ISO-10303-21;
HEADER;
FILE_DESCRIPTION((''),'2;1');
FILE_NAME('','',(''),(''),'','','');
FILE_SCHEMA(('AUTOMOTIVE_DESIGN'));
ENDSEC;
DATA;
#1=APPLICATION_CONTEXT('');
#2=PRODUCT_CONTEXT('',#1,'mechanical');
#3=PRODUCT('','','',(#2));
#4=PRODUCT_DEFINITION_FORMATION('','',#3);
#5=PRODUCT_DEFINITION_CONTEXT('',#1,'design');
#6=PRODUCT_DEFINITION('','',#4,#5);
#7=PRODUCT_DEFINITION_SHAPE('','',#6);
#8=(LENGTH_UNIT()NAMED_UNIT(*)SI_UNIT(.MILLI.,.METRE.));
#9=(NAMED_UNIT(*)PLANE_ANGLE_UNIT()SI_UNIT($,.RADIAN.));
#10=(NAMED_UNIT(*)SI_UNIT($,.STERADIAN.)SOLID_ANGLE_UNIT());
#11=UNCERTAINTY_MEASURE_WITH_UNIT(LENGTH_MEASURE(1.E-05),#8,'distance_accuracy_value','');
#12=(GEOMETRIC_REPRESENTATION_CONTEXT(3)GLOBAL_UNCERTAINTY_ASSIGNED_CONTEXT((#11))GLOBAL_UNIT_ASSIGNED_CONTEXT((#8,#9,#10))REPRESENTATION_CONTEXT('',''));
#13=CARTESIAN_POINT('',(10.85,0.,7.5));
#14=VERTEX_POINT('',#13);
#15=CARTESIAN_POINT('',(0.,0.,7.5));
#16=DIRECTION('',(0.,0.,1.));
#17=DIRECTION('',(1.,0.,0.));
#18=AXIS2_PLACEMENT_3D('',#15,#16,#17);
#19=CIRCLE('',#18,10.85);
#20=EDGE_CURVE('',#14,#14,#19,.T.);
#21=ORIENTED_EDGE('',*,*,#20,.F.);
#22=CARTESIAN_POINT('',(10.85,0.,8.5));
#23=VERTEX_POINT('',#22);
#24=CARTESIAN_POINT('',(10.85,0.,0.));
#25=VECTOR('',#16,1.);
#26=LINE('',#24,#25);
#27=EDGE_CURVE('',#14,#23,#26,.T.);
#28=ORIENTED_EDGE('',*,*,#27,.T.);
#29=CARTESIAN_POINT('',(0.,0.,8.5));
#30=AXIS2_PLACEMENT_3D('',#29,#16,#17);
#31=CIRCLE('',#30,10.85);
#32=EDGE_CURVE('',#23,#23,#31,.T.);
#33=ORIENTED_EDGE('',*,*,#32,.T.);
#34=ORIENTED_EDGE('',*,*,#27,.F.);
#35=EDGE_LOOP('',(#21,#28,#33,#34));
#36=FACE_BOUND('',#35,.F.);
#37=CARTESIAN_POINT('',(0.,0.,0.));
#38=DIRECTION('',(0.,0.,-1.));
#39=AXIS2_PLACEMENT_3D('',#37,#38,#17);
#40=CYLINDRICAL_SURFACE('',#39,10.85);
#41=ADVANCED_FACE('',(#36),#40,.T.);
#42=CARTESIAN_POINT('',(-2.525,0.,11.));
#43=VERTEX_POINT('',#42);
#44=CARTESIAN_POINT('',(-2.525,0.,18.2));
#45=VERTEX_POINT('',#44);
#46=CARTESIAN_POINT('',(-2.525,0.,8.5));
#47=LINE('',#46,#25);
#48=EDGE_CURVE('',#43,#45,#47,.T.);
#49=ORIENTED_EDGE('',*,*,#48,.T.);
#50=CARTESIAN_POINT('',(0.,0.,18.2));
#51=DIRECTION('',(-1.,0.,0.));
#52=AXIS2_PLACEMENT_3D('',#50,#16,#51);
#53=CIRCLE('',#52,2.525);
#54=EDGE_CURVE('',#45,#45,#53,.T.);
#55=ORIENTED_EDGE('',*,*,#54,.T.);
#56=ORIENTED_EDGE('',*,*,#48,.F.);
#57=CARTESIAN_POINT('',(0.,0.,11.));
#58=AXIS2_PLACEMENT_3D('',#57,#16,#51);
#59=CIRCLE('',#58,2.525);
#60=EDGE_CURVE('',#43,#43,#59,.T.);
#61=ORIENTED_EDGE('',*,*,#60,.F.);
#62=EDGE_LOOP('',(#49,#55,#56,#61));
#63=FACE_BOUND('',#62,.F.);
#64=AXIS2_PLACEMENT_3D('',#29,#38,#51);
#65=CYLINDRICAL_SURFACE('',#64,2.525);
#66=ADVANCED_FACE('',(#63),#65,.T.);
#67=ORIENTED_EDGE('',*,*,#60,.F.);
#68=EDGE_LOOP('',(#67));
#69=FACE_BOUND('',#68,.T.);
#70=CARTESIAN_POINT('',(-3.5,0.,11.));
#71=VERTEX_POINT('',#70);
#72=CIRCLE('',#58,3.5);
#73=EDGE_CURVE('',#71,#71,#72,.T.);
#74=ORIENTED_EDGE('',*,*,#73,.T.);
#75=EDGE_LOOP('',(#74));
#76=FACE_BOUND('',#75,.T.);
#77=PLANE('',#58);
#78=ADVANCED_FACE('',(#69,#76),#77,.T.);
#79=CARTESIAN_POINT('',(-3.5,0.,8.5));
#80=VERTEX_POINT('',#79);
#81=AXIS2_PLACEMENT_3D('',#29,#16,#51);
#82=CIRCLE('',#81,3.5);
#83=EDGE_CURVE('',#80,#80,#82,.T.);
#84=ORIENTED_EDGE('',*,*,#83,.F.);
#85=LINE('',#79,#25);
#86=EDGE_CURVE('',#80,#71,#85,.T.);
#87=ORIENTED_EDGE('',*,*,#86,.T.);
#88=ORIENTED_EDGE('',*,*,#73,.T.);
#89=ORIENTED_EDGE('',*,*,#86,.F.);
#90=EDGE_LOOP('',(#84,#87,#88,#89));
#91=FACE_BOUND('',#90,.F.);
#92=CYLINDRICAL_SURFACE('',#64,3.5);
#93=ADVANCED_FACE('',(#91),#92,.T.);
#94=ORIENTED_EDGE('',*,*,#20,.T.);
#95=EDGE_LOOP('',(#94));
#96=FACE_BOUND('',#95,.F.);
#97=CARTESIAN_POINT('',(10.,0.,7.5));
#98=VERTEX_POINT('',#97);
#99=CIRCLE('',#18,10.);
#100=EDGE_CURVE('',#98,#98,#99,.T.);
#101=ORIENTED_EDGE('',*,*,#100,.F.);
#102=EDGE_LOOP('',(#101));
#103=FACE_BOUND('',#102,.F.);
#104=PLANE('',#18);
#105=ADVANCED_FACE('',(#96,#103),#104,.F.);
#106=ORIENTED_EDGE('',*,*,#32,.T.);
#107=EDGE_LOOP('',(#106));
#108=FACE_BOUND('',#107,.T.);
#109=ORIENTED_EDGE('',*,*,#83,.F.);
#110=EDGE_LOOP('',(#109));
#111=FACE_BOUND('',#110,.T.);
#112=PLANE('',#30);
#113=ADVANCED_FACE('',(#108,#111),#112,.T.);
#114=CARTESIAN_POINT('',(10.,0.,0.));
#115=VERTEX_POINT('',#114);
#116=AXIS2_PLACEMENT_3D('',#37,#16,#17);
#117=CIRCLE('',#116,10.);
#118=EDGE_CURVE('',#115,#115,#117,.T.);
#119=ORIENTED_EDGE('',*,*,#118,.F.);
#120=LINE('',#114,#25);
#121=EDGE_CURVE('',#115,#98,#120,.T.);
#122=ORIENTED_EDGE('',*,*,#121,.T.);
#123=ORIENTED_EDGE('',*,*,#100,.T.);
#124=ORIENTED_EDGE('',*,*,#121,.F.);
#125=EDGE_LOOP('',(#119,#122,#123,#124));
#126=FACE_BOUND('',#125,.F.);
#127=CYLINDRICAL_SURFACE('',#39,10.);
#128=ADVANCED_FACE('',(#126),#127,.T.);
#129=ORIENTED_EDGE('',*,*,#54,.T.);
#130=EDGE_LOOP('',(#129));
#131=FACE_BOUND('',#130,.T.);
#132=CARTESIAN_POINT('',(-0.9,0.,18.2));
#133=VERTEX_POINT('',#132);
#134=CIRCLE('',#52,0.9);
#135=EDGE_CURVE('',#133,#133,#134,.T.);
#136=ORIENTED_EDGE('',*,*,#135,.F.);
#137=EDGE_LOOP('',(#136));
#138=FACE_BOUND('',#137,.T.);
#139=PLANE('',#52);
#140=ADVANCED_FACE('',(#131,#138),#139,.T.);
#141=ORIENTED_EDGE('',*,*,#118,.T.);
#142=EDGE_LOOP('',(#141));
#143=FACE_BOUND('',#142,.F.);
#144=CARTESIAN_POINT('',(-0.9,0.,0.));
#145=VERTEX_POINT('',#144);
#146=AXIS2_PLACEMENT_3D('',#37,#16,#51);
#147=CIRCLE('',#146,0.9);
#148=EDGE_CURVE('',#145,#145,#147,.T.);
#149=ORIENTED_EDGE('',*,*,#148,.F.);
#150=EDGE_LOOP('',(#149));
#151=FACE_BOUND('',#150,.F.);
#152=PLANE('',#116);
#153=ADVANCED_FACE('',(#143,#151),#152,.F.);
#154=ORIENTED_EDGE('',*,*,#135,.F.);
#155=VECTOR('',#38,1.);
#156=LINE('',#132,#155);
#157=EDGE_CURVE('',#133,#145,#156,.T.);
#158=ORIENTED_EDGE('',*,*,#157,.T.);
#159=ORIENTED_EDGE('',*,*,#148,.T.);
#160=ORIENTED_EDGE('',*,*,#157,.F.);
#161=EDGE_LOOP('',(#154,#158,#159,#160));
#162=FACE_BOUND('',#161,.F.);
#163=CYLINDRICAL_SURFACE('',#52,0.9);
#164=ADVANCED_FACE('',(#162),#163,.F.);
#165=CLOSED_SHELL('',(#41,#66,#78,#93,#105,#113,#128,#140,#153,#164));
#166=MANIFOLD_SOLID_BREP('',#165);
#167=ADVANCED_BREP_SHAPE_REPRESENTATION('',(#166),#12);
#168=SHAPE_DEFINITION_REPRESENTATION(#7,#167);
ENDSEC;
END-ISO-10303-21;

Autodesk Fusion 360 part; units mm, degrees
sketch "Skizze1" plane through (0, 0, 0) normal (0, 0, 1) x (1, 0, 0)
  circle A0 centre (0, 0) radius 10
  circle A1 centre (0, 0) radius 9.25
  circle A2 centre (0, 0) radius 3.95
  circle A3 centre (0, 0) radius 10.85
  dimension "d1" = 20
  dimension "d2" = -0.75
  dimension "d3" = 7.9
  dimension "d4" = 1.6
extrude "Extrusion1" add sketch "Skizze1" along normal blind 8.5 contours A0 | A1 | A2
sketch "Skizze4" plane through (0, 0, 8.5) normal (0, 0, 1) x (-1, 0, 0)
  circle A0 centre (0, 0) radius 10
  circle A1 centre (0, 0) radius 2.525
  circle A2 centre (0, 0) radius 3.5
  dimension "d20" = 5.05
  dimension "d21" = 7
extrude "Extrusion5" add sketch "Skizze1" along normal blind 8.5 contours A3
extrude "Extrusion6" cut sketch "Skizze1" along normal blind 7.5 contours A3
extrude "Extrusion8" add sketch "Skizze4" along normal blind 9.7 contours A1
extrude "Extrusion9" add sketch "Skizze4" along normal blind 2.5 contours A2
sketch "Skizze5" plane through (0, 0, 18.2) normal (0, 0, 1) x (-1, 0, 0)
  circle A0 centre (0, 0) radius 2.525
  circle A1 centre (0, 0) radius 0.9
  dimension "d27" = 1.8
extrude "Extrusion10" cut sketch "Skizze5" against normal blind 21 contours A1
equation "d5 = 11 mm - 2.5 mm"
equation "d14 = 11 mm - 2.5 mm"
equation "d16 = 10 mm - 2.5 mm"
